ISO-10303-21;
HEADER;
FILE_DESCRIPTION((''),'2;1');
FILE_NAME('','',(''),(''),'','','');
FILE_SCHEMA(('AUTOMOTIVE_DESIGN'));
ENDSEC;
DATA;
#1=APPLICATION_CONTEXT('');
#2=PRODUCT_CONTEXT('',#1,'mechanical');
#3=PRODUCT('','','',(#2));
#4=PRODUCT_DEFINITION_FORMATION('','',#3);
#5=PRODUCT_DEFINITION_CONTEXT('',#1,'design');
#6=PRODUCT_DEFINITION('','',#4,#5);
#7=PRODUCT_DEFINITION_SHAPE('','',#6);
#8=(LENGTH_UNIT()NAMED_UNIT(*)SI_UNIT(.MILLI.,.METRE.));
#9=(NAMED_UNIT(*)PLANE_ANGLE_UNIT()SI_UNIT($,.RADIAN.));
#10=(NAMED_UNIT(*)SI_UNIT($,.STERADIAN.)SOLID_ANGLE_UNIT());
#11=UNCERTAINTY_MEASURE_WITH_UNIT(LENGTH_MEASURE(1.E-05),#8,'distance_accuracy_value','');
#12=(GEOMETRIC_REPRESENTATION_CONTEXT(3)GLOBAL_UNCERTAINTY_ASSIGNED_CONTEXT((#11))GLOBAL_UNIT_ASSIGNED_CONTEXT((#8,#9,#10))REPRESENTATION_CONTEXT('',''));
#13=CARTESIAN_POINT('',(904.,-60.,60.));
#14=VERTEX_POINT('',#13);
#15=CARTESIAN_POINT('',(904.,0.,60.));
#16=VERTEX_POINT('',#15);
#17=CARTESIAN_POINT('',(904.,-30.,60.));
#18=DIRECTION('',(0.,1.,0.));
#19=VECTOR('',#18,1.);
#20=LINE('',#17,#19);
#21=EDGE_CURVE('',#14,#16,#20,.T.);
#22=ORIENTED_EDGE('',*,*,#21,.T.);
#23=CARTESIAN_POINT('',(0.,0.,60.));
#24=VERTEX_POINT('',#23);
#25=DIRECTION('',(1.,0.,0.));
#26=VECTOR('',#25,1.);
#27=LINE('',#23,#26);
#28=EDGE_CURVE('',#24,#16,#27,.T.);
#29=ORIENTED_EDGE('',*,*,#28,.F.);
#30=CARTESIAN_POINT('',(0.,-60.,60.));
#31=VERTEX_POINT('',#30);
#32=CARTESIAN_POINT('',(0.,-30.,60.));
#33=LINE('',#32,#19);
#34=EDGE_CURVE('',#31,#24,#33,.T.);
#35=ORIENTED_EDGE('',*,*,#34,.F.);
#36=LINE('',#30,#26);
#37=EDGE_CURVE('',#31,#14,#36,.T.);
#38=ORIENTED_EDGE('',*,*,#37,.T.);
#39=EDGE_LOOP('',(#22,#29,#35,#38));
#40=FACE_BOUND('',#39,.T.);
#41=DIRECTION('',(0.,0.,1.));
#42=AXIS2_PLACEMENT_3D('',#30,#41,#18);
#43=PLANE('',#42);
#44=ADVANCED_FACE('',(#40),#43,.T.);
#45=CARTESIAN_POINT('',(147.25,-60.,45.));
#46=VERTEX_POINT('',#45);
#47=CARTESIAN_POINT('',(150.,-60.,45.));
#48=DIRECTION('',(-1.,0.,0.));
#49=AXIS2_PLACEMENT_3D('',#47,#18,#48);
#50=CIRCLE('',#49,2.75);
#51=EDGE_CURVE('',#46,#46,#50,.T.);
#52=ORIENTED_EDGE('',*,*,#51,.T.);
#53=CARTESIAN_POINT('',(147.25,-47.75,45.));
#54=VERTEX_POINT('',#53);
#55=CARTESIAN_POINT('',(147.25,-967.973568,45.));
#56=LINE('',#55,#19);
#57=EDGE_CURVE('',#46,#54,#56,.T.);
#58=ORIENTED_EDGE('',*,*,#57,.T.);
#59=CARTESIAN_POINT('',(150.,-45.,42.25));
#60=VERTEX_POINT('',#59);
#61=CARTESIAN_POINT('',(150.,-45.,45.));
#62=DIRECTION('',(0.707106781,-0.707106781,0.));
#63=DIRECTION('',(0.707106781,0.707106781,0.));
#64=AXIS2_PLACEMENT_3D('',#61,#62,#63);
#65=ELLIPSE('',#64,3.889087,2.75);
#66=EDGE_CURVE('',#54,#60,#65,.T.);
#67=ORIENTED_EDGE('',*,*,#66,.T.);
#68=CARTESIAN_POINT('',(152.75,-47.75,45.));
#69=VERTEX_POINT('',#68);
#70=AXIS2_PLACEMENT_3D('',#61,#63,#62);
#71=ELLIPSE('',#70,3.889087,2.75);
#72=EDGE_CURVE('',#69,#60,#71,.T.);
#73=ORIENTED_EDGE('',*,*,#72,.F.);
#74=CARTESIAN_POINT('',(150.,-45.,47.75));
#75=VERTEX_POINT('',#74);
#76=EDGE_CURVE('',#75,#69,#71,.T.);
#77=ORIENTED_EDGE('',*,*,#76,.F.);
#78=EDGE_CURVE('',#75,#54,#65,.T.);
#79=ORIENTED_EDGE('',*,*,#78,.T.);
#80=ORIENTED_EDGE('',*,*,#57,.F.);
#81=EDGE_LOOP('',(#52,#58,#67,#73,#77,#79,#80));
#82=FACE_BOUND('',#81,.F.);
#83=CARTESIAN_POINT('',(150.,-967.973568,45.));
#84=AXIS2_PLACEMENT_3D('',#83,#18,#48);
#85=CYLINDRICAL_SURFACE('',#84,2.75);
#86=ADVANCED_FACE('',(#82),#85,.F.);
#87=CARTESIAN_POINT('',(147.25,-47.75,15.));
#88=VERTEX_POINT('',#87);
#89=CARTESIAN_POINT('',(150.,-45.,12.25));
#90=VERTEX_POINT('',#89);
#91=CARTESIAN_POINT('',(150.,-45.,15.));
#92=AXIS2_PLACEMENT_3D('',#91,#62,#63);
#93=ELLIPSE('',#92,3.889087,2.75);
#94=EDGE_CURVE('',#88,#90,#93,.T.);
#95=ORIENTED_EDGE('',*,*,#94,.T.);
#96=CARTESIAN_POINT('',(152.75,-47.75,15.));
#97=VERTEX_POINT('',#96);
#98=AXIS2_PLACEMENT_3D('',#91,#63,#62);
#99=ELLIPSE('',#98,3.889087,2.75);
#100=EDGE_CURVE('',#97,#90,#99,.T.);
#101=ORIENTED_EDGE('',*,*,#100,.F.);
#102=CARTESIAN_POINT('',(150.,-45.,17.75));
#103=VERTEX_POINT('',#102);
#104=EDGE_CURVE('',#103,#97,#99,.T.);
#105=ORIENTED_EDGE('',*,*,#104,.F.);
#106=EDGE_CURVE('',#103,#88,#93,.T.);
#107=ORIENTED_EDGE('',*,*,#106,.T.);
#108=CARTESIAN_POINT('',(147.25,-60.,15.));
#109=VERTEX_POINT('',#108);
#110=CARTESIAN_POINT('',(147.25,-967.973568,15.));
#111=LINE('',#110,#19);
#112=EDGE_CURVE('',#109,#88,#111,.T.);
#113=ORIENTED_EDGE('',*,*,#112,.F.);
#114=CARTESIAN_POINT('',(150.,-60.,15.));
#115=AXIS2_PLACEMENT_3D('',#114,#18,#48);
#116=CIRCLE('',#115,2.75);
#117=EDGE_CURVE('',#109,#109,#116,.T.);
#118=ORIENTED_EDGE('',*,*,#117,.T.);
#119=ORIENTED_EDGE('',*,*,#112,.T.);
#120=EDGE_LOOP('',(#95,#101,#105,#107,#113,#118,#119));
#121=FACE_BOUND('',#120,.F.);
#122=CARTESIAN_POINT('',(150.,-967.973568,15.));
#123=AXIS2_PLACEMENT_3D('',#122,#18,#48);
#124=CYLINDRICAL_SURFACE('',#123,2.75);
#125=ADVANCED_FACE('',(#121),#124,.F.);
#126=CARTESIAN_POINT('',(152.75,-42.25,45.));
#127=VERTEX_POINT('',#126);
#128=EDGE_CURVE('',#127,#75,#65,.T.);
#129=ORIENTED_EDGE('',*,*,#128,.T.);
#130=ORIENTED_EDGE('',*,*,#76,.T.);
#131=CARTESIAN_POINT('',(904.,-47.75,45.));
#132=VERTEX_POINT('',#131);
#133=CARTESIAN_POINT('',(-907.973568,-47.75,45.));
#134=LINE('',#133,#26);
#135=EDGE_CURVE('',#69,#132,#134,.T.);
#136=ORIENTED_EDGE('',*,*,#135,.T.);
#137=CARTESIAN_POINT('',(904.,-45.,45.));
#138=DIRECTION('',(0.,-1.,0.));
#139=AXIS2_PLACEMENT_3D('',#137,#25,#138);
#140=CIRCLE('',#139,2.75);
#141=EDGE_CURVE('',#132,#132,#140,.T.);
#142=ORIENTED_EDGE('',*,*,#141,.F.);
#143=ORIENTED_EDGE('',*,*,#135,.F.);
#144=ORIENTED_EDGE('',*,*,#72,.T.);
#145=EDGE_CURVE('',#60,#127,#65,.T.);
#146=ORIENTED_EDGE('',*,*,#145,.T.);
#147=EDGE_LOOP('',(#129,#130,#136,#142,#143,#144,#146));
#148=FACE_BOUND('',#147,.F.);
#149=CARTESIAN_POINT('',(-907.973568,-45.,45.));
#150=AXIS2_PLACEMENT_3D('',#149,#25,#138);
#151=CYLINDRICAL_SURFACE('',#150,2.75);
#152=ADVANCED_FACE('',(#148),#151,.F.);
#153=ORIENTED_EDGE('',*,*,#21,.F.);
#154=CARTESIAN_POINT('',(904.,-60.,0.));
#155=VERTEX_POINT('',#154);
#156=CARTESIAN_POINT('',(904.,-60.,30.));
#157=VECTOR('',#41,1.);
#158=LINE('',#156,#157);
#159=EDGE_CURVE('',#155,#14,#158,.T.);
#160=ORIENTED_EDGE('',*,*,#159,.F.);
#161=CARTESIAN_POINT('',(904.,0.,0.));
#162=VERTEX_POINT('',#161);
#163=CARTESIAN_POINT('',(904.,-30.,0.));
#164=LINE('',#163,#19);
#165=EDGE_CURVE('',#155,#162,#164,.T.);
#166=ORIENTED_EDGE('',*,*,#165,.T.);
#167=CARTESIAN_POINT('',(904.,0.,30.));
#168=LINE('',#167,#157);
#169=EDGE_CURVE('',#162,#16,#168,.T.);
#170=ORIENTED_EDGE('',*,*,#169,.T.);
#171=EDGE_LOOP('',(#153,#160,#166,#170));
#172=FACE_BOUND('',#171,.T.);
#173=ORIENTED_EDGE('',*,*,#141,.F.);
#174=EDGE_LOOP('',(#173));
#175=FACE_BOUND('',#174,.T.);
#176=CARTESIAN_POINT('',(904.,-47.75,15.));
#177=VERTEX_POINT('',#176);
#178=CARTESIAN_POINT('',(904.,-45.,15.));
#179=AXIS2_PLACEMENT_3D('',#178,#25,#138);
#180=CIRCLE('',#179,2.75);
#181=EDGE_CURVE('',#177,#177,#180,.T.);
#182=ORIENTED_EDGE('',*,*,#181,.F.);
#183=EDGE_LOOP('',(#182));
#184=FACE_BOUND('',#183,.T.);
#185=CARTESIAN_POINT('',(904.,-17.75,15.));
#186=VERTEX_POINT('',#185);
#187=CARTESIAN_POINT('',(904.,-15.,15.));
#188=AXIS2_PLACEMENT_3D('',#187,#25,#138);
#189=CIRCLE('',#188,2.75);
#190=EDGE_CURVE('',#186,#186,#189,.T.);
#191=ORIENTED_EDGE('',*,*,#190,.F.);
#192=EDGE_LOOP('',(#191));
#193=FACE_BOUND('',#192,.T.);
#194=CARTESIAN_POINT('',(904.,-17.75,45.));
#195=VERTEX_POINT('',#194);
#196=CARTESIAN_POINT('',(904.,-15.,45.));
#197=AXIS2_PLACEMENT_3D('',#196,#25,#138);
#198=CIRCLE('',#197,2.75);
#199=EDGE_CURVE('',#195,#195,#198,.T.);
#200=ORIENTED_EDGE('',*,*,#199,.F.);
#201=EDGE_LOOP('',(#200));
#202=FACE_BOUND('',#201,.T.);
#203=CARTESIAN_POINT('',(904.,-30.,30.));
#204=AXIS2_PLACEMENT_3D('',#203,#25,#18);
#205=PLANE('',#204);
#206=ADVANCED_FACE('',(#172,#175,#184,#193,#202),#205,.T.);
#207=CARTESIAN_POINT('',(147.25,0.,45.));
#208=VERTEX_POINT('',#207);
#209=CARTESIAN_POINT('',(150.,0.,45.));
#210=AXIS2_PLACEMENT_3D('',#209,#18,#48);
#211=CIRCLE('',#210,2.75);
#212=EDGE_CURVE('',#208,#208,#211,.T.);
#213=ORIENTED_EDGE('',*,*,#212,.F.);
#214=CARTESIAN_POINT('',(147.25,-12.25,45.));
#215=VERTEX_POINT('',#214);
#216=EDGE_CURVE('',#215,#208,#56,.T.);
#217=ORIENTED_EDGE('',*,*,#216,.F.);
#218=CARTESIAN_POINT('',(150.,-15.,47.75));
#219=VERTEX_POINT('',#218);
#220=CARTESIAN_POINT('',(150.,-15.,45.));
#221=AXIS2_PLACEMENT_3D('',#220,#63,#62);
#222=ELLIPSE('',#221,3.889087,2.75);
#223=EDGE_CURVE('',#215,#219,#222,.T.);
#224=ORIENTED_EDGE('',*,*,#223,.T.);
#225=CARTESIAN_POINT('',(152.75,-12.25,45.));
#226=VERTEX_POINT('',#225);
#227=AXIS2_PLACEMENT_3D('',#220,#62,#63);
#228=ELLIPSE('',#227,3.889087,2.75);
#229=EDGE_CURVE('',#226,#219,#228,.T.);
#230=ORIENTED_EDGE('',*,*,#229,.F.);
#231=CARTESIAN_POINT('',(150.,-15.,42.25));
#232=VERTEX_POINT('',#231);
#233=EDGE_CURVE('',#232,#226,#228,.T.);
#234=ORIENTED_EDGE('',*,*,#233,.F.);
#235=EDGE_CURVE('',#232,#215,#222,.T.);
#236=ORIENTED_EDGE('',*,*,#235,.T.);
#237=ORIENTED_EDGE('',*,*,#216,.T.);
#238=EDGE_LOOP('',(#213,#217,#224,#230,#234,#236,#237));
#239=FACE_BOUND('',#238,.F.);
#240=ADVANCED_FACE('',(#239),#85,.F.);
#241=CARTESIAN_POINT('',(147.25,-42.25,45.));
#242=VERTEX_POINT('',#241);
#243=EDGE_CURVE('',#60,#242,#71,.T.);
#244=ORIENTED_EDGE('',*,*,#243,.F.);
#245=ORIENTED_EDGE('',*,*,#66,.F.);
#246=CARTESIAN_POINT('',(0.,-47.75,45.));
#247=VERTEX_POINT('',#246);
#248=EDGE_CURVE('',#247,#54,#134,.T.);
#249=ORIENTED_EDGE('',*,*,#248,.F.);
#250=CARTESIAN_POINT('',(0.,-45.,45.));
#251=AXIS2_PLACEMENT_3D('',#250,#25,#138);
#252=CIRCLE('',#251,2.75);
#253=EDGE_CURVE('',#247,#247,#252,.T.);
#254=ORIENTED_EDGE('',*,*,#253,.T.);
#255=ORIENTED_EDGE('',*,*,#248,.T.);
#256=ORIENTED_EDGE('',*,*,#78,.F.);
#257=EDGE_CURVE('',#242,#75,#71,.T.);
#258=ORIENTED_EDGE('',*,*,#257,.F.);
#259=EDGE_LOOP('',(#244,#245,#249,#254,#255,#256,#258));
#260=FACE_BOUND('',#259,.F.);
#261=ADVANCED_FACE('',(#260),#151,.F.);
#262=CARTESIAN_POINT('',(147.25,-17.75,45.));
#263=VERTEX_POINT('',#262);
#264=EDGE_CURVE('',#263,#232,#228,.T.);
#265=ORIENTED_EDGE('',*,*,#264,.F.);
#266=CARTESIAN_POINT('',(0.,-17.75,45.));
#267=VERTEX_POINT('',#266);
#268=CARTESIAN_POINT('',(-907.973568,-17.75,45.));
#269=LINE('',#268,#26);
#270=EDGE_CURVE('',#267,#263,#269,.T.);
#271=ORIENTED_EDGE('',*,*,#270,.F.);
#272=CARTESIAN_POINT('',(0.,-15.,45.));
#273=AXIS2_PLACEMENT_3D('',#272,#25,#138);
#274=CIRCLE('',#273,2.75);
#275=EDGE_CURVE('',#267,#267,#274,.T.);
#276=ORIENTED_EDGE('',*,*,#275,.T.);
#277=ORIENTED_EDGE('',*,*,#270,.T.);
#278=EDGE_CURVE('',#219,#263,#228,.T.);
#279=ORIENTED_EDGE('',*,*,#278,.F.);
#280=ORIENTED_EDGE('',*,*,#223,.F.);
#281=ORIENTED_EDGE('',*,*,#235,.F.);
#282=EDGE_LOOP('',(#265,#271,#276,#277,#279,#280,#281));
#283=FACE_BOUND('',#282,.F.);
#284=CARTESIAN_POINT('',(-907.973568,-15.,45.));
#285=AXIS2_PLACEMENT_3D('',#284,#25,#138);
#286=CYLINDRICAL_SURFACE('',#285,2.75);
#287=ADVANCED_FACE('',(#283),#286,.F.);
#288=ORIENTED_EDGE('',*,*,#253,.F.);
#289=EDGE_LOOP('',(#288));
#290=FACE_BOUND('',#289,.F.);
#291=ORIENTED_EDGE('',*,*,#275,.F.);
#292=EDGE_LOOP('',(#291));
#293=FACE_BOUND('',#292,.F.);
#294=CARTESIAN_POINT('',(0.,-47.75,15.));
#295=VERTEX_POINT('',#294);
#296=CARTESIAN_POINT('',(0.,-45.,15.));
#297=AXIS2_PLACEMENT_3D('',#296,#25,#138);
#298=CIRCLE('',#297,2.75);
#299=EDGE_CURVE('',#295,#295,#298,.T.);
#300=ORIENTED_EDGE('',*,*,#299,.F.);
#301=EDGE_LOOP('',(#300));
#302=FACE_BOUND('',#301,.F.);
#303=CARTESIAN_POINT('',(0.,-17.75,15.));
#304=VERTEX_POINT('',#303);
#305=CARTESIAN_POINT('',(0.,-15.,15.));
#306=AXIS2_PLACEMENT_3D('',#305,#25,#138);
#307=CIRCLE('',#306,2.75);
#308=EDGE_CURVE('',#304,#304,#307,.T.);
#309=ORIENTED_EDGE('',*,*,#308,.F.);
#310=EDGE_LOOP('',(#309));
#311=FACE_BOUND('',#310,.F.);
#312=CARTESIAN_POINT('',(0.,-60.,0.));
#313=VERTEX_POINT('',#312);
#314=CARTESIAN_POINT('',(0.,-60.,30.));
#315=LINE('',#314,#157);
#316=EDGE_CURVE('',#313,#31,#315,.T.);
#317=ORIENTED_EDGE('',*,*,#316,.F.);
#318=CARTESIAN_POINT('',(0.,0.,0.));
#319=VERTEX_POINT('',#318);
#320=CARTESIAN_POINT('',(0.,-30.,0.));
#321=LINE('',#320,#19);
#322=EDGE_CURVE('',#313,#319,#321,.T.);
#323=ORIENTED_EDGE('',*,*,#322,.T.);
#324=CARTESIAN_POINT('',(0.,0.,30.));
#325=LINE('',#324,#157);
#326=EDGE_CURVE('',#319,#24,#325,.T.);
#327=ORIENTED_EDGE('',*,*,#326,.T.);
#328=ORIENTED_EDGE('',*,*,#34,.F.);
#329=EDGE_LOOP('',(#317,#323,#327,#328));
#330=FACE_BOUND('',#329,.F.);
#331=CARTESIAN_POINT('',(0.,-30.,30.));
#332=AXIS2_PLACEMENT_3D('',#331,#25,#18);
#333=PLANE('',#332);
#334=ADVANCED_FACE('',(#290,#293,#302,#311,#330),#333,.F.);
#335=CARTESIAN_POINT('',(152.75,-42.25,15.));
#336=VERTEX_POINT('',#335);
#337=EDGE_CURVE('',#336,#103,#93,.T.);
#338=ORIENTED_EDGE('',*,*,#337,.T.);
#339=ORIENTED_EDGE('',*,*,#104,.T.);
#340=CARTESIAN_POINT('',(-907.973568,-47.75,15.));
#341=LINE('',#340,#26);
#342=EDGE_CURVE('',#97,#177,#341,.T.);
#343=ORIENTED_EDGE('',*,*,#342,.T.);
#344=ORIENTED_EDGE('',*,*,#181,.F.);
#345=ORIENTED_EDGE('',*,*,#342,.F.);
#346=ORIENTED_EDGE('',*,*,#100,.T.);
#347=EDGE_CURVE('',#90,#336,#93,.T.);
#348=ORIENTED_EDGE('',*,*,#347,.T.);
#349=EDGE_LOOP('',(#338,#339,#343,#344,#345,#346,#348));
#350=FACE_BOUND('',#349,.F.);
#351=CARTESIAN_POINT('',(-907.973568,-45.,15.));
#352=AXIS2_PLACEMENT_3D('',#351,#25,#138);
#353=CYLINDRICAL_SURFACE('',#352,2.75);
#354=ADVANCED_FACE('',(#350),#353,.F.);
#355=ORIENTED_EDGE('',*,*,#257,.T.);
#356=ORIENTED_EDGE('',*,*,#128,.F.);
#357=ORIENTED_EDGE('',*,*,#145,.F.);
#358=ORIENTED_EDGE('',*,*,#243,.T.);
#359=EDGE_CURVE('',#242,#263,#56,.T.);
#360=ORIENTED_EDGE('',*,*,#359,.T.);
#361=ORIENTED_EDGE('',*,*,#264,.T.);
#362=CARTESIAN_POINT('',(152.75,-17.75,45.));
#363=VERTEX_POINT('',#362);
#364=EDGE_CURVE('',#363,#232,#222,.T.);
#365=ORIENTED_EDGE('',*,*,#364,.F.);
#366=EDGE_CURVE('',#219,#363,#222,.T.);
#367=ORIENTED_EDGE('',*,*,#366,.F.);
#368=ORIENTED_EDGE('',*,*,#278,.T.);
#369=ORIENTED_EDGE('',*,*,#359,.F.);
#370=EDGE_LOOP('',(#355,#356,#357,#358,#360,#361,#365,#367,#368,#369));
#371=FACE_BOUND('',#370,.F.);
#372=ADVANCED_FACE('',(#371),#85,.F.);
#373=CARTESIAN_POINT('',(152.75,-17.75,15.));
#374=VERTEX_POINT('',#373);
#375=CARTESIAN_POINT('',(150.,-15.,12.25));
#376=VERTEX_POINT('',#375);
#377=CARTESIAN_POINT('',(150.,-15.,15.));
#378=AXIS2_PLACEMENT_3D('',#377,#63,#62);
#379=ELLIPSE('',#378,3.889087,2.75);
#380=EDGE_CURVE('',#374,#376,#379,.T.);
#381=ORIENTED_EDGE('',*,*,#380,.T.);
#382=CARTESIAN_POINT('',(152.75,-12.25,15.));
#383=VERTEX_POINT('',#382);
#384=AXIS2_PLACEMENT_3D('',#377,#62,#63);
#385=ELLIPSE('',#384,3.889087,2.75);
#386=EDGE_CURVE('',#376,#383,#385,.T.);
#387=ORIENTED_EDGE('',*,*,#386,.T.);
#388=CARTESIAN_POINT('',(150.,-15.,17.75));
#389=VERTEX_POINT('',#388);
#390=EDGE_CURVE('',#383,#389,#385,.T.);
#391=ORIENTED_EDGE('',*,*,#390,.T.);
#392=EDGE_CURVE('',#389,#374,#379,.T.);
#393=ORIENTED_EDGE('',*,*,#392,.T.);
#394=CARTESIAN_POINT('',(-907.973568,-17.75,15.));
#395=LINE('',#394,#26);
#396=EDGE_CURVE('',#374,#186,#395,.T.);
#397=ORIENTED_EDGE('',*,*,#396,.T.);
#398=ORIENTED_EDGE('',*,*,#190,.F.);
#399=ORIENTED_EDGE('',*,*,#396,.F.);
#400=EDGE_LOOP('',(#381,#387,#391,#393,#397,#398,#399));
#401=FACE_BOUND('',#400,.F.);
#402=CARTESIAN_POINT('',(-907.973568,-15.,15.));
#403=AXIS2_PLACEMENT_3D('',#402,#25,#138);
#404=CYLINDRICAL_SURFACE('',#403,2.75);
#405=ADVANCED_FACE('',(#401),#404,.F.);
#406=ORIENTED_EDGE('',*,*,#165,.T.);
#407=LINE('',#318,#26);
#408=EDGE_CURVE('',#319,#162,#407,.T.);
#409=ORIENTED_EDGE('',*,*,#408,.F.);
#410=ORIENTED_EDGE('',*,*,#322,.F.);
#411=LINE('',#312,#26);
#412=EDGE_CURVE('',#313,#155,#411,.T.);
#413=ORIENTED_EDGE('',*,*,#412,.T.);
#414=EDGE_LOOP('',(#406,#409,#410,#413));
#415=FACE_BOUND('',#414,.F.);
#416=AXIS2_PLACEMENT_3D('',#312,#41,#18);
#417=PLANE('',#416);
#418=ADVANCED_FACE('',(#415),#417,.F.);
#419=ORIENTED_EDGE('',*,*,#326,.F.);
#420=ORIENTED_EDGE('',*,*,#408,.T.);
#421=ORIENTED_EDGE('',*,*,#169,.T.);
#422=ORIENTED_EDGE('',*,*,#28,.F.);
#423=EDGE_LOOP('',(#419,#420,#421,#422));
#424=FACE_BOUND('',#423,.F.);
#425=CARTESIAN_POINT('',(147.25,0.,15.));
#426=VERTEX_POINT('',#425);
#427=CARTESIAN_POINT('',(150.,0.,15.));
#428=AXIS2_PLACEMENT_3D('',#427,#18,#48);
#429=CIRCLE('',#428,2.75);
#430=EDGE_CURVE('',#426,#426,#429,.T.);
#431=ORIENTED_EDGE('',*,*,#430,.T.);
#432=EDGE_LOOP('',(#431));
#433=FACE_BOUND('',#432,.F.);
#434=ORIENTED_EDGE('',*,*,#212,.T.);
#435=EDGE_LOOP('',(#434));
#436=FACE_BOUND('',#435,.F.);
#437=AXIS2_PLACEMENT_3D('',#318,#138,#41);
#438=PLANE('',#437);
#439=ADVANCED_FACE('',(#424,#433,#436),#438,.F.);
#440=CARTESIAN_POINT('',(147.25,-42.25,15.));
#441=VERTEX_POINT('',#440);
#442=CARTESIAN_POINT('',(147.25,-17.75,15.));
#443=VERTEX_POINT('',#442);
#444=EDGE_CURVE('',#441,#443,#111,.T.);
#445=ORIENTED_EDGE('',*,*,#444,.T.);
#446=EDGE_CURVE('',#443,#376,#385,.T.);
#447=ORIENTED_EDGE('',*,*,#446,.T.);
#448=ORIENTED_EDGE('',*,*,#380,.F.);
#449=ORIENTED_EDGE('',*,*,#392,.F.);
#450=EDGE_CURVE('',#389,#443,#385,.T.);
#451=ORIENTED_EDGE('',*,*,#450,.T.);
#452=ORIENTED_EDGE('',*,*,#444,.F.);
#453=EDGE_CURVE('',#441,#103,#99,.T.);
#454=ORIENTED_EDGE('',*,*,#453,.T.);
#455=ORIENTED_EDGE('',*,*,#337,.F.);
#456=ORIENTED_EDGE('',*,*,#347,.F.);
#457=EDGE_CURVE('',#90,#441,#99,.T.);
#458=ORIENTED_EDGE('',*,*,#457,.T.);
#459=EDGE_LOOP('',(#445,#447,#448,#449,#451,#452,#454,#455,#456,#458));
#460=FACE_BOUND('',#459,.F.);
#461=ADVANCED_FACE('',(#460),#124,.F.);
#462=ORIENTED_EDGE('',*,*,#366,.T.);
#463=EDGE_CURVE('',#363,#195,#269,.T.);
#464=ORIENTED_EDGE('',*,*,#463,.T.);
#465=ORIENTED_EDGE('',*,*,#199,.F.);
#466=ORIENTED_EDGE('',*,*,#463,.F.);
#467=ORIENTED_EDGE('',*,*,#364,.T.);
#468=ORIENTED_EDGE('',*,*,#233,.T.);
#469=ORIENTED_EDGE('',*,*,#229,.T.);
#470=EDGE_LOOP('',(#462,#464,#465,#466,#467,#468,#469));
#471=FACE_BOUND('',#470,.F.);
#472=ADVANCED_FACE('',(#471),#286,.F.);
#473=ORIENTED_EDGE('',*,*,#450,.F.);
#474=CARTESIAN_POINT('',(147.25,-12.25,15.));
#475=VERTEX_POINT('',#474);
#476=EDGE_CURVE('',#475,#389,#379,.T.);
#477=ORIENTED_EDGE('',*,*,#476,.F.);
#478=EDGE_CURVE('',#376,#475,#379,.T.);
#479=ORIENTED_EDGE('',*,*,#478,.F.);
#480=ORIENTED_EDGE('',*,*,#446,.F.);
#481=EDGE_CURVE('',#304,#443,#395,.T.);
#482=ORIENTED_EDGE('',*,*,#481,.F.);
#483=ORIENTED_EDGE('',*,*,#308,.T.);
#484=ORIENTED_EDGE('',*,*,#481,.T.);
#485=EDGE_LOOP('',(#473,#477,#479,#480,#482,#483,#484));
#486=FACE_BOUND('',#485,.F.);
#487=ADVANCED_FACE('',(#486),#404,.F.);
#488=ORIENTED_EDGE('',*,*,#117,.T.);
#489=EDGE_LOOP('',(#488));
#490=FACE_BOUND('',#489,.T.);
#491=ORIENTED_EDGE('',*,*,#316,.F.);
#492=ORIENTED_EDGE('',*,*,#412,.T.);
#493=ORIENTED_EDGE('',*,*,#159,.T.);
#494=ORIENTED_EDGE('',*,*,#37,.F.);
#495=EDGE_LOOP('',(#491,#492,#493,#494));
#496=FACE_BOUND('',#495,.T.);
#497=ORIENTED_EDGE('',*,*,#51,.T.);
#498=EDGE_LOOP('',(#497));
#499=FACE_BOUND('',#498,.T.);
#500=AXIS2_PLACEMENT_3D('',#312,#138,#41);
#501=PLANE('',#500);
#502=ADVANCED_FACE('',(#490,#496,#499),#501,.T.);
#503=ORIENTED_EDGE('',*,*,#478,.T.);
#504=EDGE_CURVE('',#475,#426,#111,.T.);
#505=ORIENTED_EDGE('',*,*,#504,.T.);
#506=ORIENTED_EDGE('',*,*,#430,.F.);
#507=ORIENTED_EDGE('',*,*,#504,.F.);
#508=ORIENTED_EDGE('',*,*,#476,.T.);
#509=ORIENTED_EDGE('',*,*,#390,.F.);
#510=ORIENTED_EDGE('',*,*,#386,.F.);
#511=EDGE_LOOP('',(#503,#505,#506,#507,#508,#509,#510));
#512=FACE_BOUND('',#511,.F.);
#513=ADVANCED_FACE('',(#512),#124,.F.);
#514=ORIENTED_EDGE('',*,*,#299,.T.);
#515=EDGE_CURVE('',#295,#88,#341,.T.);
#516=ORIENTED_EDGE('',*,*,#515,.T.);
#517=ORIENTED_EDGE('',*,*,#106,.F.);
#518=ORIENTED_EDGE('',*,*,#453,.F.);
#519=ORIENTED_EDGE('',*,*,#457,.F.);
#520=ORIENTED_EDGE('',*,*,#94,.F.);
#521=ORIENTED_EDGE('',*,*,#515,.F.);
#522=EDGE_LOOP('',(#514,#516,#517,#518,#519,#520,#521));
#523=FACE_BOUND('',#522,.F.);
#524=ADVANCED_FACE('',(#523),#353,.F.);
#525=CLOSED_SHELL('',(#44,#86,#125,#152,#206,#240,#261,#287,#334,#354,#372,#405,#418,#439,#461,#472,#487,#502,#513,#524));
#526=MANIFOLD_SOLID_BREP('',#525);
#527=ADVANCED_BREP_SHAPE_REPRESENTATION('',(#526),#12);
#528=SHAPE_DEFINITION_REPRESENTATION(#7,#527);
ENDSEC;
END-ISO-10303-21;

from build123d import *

# Parameters (mm, degrees)
F0_W     = 60
F0_H     = 60
F1_DEPTH = 904
F2_D     = 5.5
F4_D     = 5.5


with BuildPart() as f1:
    # F0 (on Right) → F1 (new body)
    with BuildSketch(Plane.YZ):
        with Locations((-30, 30)):
            Rectangle(F0_W, F0_H)
    extrude(amount=F1_DEPTH)

    # F2 (through all)
    with Locations(Plane(origin=(0, 0, 0), x_dir=(0, 1, 0), z_dir=(-1, 0, 0))):
        with Locations((-45, -45), (-45, -15), (-15, -15), (-15, -45)):
            Hole(F2_D / 2)

    # F4 (through all)
    with Locations(Plane.XZ.offset(60)):
        with Locations((150, 45), (150, 15)):
            Hole(F4_D / 2)


solid = f1.part
